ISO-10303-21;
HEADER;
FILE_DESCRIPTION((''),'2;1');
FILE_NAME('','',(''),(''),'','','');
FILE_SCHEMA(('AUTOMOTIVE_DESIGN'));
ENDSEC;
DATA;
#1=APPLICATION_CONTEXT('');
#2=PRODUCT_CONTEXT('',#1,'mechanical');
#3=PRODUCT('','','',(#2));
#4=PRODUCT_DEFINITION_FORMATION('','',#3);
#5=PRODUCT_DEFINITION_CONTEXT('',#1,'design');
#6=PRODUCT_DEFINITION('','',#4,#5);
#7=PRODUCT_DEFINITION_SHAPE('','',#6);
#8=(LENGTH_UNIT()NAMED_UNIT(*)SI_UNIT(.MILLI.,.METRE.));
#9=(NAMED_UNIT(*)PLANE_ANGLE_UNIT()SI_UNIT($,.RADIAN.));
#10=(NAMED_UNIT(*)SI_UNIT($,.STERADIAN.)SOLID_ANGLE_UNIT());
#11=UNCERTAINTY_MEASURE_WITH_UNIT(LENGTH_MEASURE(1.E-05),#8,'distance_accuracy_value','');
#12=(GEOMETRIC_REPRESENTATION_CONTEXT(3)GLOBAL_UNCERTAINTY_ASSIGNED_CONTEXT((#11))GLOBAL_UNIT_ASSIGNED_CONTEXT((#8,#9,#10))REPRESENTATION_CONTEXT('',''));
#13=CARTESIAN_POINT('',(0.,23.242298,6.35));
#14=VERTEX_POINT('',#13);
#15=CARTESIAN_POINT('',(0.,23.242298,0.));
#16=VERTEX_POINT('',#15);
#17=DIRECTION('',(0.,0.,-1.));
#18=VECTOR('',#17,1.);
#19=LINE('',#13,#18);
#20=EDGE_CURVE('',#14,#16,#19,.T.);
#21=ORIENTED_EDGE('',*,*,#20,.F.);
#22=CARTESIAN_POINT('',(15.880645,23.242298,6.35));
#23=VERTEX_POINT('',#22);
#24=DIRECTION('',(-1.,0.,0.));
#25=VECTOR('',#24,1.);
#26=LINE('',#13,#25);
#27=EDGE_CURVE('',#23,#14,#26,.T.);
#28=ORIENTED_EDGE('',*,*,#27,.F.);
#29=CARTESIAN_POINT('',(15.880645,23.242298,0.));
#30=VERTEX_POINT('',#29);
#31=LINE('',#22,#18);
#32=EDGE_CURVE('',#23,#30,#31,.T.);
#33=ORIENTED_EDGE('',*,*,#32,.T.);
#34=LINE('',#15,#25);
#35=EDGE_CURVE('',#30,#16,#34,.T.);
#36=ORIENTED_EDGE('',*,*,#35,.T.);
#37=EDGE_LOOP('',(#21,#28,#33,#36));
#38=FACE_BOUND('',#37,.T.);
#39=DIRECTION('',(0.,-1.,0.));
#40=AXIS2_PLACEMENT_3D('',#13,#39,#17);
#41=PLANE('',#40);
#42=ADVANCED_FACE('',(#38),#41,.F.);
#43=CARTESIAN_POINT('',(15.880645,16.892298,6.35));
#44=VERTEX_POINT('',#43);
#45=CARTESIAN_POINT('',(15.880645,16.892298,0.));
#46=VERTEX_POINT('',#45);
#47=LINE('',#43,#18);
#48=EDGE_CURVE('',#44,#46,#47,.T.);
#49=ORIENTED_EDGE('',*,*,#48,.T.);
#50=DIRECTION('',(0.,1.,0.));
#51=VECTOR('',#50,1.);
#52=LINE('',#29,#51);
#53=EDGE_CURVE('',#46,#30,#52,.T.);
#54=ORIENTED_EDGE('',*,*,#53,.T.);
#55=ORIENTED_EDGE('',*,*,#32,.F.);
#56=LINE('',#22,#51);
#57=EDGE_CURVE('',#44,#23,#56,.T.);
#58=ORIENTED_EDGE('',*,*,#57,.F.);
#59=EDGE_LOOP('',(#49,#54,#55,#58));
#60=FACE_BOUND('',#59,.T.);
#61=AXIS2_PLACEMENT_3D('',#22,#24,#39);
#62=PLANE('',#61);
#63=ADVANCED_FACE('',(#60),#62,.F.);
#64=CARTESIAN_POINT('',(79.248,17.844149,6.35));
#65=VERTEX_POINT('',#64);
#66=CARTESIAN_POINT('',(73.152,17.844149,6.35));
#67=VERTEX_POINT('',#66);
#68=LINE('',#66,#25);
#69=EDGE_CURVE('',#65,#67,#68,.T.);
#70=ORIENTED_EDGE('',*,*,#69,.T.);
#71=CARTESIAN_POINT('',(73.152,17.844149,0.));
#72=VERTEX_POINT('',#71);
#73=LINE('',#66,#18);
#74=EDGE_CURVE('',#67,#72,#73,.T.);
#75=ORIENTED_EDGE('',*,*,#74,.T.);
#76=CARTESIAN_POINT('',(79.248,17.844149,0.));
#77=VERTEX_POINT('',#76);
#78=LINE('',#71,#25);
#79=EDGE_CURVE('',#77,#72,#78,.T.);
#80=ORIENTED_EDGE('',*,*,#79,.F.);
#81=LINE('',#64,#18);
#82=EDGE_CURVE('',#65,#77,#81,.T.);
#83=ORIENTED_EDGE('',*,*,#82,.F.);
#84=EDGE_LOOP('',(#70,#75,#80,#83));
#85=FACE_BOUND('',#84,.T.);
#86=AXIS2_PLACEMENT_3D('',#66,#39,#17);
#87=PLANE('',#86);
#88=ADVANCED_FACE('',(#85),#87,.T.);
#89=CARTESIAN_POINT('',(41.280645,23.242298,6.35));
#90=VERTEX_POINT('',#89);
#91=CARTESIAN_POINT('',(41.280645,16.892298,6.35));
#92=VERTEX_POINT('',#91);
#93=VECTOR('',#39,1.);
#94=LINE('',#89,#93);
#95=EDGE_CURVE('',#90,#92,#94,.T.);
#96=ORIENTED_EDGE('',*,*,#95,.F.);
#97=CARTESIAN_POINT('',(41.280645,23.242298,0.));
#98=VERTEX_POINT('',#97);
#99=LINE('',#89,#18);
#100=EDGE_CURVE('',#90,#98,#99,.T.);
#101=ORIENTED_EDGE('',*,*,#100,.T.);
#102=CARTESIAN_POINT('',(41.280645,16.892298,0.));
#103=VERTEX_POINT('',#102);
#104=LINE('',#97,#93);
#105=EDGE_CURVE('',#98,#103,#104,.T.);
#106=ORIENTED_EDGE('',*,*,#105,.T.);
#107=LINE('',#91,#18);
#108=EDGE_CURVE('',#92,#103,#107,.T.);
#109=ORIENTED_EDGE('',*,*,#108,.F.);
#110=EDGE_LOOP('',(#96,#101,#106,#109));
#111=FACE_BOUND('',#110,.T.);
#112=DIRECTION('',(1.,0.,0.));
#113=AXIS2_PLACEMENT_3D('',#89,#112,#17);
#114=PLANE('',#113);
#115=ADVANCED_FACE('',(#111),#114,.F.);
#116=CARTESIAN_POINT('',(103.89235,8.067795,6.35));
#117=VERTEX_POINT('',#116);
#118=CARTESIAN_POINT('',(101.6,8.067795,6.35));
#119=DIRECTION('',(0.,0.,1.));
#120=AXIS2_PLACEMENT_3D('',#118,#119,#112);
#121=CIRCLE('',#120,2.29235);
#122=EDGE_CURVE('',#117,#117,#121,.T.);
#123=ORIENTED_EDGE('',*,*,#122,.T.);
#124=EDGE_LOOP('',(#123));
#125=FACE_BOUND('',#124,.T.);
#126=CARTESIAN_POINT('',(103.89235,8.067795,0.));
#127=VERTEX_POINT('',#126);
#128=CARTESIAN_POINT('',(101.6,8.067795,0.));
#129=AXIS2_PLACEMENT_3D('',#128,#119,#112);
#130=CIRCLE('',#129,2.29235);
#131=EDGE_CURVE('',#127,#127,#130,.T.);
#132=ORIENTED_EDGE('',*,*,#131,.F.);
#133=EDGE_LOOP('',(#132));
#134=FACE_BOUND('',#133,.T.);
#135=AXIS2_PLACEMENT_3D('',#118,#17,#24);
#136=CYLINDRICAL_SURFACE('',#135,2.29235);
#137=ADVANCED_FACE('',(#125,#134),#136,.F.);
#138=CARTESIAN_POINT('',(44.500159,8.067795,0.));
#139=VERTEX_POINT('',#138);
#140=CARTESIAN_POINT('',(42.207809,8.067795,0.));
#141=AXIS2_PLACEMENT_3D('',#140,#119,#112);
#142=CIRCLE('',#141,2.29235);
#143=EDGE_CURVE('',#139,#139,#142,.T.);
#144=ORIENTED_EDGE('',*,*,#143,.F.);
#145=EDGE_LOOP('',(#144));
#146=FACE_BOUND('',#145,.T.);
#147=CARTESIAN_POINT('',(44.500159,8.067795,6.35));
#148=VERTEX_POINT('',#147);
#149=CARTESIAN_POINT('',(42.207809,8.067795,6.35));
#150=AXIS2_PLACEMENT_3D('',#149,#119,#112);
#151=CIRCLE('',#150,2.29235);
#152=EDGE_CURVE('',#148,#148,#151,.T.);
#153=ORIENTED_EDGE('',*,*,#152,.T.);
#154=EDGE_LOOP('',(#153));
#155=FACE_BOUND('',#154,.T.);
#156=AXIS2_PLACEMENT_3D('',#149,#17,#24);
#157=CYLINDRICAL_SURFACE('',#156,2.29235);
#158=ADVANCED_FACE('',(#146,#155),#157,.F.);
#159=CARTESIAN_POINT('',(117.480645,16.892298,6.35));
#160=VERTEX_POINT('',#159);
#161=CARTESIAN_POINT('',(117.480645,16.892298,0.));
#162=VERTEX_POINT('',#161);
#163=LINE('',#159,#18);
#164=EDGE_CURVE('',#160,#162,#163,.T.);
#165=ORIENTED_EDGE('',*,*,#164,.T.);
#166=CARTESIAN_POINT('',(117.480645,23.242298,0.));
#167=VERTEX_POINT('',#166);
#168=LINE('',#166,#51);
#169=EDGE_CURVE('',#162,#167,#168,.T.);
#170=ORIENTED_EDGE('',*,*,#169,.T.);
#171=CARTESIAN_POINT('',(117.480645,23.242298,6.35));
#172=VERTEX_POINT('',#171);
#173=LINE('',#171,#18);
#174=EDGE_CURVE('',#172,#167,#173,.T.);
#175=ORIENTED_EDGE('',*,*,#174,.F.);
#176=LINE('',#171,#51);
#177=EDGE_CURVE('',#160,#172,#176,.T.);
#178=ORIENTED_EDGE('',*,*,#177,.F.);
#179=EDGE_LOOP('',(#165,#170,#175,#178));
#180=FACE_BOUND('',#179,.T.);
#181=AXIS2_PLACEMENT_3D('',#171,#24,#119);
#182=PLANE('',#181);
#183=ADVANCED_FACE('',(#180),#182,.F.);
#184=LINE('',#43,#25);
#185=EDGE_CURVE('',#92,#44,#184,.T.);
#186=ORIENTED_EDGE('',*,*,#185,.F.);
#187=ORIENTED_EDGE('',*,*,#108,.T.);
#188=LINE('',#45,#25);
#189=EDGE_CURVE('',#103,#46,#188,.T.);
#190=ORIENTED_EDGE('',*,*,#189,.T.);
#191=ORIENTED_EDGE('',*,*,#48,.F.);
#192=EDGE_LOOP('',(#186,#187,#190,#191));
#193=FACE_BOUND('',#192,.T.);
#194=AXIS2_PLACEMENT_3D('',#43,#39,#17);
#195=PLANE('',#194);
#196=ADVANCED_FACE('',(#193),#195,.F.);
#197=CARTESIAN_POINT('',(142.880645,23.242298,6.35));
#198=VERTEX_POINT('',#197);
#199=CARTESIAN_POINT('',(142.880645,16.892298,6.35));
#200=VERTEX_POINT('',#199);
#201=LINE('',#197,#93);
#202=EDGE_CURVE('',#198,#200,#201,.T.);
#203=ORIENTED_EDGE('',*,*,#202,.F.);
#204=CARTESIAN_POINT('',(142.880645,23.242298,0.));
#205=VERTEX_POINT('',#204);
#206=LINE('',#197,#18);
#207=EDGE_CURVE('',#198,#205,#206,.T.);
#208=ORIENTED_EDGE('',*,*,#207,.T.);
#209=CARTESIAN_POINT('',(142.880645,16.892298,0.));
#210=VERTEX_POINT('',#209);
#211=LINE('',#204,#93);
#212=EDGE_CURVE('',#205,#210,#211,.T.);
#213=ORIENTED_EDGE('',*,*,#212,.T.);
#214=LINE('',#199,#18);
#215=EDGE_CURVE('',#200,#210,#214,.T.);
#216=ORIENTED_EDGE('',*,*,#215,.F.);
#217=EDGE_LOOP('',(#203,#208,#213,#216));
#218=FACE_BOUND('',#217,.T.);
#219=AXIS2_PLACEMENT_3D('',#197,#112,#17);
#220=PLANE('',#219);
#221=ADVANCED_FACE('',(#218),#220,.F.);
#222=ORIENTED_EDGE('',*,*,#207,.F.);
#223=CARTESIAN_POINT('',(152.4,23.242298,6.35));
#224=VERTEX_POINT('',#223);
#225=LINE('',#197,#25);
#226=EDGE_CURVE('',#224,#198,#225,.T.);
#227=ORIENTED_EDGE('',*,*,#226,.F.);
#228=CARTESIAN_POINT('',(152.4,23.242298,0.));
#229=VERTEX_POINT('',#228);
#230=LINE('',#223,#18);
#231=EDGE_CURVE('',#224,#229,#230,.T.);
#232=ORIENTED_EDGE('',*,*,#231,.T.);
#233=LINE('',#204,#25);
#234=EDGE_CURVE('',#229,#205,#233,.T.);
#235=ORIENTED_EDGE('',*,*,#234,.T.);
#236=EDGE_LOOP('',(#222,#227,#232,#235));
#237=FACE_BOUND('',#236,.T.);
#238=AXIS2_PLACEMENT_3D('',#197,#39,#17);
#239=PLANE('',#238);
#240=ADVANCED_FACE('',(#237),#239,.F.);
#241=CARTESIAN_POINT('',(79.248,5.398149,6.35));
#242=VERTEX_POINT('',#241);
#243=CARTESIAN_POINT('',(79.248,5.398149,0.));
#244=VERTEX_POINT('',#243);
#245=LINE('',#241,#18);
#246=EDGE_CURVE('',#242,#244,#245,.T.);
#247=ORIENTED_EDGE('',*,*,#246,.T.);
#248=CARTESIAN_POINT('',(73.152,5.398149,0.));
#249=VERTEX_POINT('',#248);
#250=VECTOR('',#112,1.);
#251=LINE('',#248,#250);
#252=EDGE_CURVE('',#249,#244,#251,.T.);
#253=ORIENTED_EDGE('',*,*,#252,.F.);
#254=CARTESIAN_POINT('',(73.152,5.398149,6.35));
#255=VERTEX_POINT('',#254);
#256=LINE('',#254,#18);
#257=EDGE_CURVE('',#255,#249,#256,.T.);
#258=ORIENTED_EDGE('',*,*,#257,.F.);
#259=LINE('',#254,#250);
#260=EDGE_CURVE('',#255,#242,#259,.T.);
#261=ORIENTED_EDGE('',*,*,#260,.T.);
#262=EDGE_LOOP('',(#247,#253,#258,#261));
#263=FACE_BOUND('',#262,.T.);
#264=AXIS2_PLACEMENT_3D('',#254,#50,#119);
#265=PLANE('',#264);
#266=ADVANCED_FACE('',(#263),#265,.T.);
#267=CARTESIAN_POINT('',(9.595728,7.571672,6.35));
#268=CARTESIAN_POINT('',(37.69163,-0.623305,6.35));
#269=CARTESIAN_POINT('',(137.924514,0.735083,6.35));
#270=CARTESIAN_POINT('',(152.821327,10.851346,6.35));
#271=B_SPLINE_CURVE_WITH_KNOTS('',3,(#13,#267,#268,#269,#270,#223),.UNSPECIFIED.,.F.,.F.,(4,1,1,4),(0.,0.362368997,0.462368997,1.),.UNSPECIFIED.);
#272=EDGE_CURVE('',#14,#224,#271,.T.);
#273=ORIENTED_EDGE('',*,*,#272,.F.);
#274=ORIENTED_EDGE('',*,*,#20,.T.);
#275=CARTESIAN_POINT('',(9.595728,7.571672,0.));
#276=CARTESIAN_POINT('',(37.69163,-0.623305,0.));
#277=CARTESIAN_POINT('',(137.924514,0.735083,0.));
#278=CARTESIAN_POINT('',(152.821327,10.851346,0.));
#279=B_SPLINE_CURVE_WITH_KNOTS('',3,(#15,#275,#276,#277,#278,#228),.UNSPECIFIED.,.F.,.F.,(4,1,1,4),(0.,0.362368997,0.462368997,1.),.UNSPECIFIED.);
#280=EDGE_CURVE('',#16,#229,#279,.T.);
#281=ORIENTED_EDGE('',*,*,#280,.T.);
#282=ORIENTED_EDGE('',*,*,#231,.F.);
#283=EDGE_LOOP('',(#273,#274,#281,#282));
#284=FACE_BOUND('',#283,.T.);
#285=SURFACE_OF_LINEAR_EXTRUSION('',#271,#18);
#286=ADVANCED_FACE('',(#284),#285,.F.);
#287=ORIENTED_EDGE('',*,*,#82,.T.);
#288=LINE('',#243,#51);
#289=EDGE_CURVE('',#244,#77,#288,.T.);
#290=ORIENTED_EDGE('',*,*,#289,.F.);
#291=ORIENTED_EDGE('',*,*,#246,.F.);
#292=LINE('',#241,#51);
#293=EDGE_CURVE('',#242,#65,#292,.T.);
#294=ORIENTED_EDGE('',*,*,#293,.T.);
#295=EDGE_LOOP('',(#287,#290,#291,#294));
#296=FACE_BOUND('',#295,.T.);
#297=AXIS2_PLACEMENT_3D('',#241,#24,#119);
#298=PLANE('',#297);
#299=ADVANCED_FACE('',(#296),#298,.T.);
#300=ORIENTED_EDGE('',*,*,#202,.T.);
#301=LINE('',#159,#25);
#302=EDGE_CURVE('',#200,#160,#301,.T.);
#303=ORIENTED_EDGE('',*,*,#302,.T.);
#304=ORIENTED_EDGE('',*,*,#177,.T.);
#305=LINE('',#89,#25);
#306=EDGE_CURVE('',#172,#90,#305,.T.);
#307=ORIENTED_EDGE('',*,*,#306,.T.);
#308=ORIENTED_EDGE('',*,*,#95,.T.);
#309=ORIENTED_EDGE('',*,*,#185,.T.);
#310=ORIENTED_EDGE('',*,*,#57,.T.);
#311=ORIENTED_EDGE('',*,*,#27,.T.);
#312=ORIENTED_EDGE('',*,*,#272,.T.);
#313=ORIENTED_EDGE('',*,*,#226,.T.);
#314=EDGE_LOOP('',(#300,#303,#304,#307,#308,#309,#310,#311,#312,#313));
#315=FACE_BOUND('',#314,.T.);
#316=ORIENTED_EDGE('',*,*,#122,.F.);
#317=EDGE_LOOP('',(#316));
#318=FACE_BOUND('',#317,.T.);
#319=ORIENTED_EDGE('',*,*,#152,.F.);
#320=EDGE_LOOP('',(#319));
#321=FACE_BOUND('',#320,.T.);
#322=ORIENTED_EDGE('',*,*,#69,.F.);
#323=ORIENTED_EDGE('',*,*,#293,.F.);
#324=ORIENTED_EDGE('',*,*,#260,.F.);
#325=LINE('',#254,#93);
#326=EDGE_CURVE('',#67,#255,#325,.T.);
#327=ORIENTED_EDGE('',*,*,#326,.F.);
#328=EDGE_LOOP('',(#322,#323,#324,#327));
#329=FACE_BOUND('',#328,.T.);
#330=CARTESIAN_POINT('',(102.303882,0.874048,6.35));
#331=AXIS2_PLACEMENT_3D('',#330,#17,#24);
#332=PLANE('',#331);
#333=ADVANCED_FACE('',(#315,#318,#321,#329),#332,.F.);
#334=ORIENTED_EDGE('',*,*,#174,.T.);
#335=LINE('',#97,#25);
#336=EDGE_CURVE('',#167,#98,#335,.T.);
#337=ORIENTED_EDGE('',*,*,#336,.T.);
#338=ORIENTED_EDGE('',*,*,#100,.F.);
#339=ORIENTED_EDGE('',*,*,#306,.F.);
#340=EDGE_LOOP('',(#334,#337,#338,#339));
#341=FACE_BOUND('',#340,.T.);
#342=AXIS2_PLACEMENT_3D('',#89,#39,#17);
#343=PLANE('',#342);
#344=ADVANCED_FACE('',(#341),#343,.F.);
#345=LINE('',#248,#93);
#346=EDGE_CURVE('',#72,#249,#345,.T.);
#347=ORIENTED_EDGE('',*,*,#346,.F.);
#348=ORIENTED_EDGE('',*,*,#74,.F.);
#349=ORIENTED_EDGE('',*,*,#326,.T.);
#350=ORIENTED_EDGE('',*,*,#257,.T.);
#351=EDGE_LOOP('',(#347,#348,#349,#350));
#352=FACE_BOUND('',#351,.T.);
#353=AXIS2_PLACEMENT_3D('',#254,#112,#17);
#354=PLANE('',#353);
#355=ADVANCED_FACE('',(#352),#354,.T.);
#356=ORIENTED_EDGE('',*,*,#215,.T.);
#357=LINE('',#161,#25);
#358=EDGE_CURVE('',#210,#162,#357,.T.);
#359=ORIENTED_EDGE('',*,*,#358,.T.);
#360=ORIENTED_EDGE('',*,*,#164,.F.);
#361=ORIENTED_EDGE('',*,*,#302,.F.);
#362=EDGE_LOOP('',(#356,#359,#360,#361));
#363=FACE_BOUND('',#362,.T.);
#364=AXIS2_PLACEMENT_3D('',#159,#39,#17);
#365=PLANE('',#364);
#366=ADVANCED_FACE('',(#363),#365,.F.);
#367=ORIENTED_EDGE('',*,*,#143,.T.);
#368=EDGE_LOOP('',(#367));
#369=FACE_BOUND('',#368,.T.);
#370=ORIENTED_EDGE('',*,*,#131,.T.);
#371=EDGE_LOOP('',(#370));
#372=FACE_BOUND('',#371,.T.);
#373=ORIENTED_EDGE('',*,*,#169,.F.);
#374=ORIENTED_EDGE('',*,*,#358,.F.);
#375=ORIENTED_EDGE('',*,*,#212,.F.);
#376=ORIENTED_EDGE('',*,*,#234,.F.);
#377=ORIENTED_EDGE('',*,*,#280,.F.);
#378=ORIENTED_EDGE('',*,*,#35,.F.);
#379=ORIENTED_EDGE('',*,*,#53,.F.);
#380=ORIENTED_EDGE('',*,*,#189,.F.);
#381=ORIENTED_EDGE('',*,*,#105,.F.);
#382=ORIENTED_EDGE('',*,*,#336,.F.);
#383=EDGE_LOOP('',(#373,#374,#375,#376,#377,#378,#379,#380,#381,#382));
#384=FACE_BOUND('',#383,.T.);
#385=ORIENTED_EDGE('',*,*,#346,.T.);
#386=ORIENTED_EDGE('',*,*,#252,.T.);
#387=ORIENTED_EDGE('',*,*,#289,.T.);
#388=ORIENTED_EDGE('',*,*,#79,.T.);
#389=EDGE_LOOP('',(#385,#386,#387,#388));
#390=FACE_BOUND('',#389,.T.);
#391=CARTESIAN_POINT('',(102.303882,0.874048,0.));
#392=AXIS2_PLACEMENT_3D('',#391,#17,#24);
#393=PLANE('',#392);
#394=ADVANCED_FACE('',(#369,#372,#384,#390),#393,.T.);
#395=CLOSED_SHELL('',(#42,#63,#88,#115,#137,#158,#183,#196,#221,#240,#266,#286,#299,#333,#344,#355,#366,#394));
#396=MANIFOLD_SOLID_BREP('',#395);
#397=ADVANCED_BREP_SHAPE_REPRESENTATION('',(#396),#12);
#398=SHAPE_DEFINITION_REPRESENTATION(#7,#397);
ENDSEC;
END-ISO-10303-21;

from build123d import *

# Parameters (mm, degrees)
SKETCH1_R           = 2.29235
SKETCH1_W           = 6.096
SKETCH1_H           = 12.446
BOSS_EXTRUDE1_DEPTH = 6.35


with BuildPart() as part:
    # Sketch1 → Boss-Extrude1 (new body)
    with BuildSketch(Plane.XY):
        with BuildLine():
            Line((0, 23.24229762), (15.880645326, 23.24229762))
            Line((15.880645326, 23.24229762), (15.880645326, 16.89229762))
            Line((15.880645326, 16.89229762), (41.280645326, 16.89229762))
            Line((41.280645326, 16.89229762), (41.280645326, 23.24229762))
            Line((41.280645326, 23.24229762), (117.480645326, 23.24229762))
            Line((117.480645326, 23.24229762), (117.480645326, 16.89229762))
            Line((117.480645326, 16.89229762), (142.880645326, 16.89229762))
            Line((142.880645326, 16.89229762), (142.880645326, 23.24229762))
            Line((142.880645326, 23.24229762), (152.4, 23.24229762))
            add(Edge.make_bspline(
                [(0, 23.24229762), (9.595728413, 7.571672257), (37.691629547, -0.62330484), (137.924513907, 0.735082948), (152.821327453, 10.851345908), (152.4, 23.24229762)],
                knots=[0, 0, 0, 0, 0.362368997, 0.462368997, 1, 1, 1, 1], degree=3))
        make_face()
        with Locations((101.6, 8.067795146)):
            Circle(SKETCH1_R, mode=Mode.SUBTRACT)
        with Locations((42.207808654, 8.067795146)):
            Circle(SKETCH1_R, mode=Mode.SUBTRACT)
        with Locations((76.2, 11.62114881)):
            Rectangle(SKETCH1_W, SKETCH1_H, mode=Mode.SUBTRACT)
    extrude(amount=BOSS_EXTRUDE1_DEPTH)


solid = part.part
